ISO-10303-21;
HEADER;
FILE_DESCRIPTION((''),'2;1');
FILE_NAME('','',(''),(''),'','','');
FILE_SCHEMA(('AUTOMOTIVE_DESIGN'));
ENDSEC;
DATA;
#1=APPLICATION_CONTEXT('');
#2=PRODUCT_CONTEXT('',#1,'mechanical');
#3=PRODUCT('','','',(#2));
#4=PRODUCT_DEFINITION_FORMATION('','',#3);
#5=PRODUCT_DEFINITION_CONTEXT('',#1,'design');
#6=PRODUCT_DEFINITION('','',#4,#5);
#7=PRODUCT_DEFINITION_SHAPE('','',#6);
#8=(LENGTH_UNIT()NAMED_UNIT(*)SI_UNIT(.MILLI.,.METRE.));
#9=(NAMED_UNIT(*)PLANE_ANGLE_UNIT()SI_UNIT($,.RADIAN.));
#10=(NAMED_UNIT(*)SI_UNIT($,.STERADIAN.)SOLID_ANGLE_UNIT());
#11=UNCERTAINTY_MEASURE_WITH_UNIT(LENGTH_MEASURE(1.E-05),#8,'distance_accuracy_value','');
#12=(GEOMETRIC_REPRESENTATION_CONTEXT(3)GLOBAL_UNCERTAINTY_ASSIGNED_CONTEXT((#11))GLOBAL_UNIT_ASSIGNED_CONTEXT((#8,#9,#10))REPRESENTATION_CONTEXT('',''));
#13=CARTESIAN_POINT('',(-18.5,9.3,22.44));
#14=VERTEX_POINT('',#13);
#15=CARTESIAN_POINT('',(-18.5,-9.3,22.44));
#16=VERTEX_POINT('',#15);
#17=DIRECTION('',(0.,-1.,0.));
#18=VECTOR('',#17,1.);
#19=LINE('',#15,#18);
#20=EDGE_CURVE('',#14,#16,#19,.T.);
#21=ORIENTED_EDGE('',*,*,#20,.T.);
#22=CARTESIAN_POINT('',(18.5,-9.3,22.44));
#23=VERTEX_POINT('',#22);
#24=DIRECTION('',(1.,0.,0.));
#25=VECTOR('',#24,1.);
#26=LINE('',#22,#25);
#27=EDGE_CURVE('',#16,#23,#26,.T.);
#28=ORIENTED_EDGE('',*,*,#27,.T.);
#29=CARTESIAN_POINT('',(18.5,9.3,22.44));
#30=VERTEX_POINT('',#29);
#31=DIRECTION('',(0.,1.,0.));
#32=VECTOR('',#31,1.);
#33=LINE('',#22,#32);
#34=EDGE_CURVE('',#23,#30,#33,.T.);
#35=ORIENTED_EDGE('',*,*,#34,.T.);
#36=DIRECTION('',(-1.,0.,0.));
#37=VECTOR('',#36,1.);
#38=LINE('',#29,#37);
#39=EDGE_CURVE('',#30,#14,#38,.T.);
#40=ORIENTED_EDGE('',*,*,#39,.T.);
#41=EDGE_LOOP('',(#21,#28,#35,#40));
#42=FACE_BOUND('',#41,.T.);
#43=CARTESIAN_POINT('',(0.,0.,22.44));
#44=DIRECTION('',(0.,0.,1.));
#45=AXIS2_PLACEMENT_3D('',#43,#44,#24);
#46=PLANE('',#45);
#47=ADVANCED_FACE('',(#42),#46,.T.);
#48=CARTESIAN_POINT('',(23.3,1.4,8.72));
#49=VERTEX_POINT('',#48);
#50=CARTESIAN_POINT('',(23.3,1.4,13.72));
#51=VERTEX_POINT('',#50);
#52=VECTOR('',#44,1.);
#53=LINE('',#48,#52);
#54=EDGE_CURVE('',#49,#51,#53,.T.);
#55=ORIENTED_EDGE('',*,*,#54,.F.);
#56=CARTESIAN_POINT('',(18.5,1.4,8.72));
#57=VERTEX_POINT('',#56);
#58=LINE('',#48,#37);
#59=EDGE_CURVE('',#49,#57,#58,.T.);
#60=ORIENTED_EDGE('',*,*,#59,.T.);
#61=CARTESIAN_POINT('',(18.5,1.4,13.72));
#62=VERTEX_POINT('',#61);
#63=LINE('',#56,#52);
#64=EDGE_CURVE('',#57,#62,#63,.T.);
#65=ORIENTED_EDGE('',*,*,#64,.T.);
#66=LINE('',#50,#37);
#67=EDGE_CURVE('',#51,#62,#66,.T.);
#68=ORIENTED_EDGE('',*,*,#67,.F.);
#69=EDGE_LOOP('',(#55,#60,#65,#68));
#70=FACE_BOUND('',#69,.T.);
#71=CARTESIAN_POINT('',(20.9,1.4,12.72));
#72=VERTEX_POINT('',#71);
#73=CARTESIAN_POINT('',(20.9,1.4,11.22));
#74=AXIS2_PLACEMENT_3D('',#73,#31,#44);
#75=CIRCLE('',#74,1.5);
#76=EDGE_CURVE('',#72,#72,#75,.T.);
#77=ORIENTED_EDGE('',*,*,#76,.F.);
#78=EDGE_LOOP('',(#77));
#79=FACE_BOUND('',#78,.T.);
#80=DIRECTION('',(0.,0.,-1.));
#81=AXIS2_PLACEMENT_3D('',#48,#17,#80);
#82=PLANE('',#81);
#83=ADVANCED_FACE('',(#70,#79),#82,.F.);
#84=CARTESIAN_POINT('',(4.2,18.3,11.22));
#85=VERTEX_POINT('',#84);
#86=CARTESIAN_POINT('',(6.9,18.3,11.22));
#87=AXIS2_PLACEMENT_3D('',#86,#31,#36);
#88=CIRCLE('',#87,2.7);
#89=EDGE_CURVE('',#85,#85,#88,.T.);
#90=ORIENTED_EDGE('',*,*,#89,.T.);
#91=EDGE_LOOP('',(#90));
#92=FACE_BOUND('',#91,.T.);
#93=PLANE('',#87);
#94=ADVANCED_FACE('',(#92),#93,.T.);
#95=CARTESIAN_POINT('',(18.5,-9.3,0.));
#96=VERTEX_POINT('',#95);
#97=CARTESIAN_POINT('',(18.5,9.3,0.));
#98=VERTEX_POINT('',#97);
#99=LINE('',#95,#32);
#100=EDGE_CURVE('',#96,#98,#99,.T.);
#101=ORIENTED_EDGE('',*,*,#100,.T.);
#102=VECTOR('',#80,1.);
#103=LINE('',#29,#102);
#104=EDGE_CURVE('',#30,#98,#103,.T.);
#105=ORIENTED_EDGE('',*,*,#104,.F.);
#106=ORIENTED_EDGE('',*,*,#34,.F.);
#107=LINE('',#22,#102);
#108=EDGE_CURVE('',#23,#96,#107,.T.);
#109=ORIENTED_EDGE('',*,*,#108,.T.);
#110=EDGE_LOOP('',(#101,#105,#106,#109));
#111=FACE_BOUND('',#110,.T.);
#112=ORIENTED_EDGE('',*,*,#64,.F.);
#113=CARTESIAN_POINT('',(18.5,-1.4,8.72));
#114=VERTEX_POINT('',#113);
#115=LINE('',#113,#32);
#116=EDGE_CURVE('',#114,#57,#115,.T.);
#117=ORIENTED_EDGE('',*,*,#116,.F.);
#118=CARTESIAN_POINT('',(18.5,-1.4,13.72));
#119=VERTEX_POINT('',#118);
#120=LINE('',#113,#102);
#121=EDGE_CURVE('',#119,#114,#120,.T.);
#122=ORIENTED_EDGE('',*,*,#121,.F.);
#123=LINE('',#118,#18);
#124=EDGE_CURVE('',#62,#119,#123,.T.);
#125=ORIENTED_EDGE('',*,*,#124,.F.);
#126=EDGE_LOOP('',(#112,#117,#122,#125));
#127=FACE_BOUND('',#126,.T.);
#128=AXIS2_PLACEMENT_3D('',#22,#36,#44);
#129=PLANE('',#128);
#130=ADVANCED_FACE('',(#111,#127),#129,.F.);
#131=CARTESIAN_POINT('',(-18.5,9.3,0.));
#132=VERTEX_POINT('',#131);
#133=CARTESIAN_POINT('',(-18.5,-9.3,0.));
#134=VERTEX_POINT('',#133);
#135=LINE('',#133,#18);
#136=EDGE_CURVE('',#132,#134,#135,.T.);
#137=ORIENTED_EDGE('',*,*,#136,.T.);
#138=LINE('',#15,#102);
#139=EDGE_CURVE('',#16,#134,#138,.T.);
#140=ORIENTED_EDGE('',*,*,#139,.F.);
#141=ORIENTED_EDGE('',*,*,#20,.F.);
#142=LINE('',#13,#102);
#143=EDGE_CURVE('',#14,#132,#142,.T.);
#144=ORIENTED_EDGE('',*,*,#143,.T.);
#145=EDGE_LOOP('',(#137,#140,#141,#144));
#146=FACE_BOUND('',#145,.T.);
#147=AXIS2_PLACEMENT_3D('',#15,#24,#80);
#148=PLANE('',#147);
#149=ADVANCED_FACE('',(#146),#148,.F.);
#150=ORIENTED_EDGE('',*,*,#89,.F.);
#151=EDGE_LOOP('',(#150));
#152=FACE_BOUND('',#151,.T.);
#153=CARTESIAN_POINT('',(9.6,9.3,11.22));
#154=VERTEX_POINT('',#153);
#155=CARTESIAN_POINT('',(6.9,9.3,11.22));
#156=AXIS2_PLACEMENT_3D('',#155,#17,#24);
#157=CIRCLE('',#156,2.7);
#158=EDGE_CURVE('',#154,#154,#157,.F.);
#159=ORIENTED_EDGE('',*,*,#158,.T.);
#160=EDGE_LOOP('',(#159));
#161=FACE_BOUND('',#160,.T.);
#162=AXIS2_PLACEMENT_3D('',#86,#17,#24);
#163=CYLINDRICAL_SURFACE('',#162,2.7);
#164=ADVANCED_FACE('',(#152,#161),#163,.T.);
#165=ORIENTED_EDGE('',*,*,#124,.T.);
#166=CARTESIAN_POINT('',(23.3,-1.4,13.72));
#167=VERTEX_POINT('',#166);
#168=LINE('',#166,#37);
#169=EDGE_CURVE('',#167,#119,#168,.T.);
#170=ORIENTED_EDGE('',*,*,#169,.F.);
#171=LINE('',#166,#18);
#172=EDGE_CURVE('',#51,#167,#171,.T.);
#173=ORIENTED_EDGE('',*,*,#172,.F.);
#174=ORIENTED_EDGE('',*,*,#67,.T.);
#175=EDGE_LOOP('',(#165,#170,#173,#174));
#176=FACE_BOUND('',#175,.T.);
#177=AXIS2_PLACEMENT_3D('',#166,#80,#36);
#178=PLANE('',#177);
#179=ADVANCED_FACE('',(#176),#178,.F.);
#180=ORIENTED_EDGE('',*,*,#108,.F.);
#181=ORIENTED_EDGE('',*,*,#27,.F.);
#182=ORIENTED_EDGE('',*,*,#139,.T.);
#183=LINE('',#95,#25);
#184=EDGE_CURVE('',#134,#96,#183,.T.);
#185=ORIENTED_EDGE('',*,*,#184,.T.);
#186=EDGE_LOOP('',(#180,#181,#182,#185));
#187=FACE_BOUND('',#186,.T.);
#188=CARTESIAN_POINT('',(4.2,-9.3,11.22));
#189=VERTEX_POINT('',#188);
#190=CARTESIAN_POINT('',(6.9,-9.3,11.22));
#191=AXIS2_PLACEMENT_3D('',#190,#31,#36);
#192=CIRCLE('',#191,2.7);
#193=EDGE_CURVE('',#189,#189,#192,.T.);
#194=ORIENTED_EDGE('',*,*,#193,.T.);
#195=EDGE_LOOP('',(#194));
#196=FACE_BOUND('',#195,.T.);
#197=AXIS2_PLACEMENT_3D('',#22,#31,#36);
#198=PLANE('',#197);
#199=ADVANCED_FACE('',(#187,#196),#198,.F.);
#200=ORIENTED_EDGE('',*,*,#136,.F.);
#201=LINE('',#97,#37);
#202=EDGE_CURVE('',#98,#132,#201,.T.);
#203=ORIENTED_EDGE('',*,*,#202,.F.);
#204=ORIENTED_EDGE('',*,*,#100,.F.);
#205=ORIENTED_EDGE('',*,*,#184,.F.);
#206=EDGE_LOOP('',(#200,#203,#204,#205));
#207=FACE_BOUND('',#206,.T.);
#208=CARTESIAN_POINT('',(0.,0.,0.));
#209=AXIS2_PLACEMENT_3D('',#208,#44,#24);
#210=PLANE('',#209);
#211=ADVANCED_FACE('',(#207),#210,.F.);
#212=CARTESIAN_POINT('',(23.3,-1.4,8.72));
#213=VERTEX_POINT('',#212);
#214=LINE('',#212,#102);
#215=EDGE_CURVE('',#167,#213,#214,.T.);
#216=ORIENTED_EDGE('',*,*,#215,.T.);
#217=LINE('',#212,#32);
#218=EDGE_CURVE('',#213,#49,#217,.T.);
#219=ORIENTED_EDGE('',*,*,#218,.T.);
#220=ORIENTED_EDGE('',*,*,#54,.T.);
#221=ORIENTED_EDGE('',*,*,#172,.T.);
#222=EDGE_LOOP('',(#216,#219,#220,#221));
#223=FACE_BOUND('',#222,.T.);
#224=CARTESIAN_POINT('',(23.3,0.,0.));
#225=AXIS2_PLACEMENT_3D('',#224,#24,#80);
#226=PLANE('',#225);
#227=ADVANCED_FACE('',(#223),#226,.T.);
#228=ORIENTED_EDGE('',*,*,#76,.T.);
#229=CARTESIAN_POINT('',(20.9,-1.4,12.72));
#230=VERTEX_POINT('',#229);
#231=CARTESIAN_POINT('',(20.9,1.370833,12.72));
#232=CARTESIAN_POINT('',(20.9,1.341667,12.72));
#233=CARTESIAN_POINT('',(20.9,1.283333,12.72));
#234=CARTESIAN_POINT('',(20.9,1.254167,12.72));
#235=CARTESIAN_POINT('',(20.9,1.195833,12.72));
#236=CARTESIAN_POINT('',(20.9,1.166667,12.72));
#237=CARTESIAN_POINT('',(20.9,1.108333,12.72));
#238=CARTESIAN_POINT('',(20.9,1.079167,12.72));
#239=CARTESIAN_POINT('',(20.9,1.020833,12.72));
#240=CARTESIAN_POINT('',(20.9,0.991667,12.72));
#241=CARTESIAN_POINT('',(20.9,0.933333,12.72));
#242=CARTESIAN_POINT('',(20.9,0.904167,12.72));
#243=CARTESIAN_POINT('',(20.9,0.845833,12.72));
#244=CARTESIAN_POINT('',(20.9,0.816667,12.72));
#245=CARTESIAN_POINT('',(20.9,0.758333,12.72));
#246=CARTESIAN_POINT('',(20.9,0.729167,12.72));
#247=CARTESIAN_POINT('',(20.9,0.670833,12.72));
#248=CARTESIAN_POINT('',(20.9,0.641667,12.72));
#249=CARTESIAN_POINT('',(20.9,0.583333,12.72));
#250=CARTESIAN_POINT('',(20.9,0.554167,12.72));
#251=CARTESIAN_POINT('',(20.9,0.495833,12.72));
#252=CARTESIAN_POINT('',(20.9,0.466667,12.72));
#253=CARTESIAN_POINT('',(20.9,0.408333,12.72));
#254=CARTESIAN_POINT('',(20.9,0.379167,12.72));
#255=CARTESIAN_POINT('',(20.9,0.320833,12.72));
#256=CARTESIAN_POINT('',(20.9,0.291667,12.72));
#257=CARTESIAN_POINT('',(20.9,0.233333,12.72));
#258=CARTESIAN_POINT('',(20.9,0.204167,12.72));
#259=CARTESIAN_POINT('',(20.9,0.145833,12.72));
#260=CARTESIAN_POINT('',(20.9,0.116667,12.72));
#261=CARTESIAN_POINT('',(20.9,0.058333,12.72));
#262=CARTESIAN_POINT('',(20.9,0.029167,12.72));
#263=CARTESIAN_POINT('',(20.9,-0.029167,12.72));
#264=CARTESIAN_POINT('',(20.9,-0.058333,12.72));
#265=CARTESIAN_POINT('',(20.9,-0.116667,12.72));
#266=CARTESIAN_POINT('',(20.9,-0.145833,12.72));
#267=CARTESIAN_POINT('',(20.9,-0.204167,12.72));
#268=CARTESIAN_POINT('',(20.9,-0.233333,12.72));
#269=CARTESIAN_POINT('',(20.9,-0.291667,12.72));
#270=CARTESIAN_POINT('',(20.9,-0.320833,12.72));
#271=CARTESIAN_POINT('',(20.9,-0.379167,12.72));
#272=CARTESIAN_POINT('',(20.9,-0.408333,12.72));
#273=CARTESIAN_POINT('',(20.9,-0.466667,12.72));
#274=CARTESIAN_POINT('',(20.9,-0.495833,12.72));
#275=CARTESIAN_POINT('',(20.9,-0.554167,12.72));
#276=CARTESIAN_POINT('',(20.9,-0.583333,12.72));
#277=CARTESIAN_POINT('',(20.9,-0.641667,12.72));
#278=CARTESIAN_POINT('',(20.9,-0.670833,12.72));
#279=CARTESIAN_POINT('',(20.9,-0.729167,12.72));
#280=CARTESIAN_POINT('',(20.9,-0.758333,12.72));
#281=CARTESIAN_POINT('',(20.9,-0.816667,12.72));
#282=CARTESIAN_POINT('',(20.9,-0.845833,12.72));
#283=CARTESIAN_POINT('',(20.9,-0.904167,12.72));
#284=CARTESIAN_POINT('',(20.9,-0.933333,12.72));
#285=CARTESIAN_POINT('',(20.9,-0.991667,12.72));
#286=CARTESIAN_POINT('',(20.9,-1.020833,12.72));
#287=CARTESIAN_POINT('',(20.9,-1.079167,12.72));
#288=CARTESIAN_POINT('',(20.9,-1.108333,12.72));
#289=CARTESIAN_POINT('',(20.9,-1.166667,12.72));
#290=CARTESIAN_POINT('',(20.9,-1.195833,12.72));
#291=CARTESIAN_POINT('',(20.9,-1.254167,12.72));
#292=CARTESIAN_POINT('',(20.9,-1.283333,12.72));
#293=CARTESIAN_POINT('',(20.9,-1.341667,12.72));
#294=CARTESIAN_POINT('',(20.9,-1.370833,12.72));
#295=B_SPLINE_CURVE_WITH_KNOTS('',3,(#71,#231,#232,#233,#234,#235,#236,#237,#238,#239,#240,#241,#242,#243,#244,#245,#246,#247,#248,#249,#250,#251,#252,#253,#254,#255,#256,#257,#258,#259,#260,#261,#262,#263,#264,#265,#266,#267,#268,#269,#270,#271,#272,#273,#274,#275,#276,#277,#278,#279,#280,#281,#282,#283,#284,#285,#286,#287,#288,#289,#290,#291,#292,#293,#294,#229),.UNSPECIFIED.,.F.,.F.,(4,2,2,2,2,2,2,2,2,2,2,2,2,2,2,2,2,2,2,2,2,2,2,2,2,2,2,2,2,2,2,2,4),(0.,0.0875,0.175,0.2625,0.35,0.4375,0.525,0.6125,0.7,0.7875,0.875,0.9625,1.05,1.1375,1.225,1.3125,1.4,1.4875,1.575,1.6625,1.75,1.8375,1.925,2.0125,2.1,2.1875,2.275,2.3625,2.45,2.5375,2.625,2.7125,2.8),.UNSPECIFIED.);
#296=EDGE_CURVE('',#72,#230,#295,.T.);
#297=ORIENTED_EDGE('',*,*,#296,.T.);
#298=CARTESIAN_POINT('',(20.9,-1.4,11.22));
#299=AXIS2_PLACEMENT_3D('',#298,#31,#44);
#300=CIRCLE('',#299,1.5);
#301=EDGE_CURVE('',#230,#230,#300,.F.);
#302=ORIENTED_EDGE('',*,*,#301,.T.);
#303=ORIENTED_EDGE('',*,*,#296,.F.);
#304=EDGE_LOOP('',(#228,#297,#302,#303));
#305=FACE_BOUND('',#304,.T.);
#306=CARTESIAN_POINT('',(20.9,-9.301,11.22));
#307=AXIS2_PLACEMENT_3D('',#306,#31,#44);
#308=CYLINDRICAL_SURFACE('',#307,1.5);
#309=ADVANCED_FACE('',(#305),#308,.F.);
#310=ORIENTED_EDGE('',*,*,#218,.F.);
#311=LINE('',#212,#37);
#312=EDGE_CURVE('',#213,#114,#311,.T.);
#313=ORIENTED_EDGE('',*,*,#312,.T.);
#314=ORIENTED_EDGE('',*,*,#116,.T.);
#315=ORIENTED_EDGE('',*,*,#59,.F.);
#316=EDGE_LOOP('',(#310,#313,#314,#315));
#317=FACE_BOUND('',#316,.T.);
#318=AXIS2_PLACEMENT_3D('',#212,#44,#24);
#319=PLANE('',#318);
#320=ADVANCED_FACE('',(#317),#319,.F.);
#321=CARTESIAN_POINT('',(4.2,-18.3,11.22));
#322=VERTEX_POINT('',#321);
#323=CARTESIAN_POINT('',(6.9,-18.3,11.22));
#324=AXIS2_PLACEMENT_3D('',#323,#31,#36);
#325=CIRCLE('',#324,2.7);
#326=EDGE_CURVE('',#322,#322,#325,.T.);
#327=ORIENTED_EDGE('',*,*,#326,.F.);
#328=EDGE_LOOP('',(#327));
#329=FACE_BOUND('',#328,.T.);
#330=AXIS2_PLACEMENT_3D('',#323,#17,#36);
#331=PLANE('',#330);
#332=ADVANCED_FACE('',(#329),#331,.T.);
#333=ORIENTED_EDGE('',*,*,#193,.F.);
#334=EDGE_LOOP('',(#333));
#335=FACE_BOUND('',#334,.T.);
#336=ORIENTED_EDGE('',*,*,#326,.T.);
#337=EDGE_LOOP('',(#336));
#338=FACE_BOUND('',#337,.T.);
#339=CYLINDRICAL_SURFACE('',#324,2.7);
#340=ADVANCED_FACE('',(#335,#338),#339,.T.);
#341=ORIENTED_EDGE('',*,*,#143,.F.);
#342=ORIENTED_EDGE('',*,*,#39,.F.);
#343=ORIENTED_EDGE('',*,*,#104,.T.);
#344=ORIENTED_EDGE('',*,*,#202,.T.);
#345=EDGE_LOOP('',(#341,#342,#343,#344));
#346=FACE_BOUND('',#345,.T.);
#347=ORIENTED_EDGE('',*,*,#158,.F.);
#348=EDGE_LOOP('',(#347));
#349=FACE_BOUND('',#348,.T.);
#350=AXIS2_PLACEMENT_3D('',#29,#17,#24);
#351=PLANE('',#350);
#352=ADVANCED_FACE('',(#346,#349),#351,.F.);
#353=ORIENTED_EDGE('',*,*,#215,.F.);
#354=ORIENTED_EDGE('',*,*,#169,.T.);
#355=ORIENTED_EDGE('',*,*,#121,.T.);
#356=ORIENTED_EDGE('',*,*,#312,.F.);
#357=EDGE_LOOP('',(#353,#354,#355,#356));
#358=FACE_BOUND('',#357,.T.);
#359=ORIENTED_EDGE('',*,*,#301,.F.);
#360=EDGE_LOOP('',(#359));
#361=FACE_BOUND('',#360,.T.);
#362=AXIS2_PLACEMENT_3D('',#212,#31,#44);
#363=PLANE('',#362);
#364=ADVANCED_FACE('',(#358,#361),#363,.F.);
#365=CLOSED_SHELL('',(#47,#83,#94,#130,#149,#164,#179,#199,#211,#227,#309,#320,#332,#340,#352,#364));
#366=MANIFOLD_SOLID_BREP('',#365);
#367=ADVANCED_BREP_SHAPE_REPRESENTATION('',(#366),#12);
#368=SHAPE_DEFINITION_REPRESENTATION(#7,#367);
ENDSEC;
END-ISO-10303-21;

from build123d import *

# Parameters (mm, degrees)
SKETCH1_W           = 37
SKETCH1_H           = 18.6
BOSS_EXTRUDE1_DEPTH = 22.44
SKETCH6_W           = 5
SKETCH6_H           = 2.8
BOSS_EXTRUDE2_DEPTH = 4.8
CUT_EXTRUDE1_REACH  = 36.072
SKETCH7_R           = 1.5
SKETCH8_R           = 2.7
BOSS_EXTRUDE3_DEPTH = 9


with BuildPart() as part:
    # Sketch1 → Boss-Extrude1 (new body)
    with BuildSketch(Plane.XY):
        Rectangle(SKETCH1_W, SKETCH1_H)
    extrude(amount=BOSS_EXTRUDE1_DEPTH)

    # Sketch6 → Boss-Extrude2 (add)
    with BuildSketch(Plane(origin=(18.5, 0, 0), x_dir=(0, 0, -1), z_dir=(1, 0, 0))):
        with Locations((-11.22, 0)):
            Rectangle(SKETCH6_W, SKETCH6_H)
    extrude(amount=BOSS_EXTRUDE2_DEPTH)

    # Sketch7 → Cut-Extrude1 (cut, up to next)
    with BuildSketch(Plane(origin=(0, 1.4, 0), x_dir=(1, 0, 0), z_dir=(0, 1, 0)), mode=Mode.PRIVATE) as cut_extrude1_sk1:
        with Locations(Location((20.9, -11.22, 0), (0, 0, 270))):
            Circle(SKETCH7_R)
    cut_extrude1_tool1 = extrude(cut_extrude1_sk1.sketch, amount=-CUT_EXTRUDE1_REACH, mode=Mode.PRIVATE) & part.part
    add(cut_extrude1_tool1.solids().sort_by_distance((20.9, 1.4, 11.22))[0], mode=Mode.SUBTRACT)

    # Sketch8 → Boss-Extrude3 (add)
    with BuildSketch(Plane(origin=(0, 9.3, 0), x_dir=(1, 0, 0), z_dir=(0, 1, 0))):
        with Locations((6.9, -11.22)):
            Circle(SKETCH8_R)
    boss_extrude3 = extrude(amount=BOSS_EXTRUDE3_DEPTH)

    # Mirror1: Boss-Extrude3 across plane
    add(boss_extrude3.mirror(Plane.ZX))


solid = part.part
